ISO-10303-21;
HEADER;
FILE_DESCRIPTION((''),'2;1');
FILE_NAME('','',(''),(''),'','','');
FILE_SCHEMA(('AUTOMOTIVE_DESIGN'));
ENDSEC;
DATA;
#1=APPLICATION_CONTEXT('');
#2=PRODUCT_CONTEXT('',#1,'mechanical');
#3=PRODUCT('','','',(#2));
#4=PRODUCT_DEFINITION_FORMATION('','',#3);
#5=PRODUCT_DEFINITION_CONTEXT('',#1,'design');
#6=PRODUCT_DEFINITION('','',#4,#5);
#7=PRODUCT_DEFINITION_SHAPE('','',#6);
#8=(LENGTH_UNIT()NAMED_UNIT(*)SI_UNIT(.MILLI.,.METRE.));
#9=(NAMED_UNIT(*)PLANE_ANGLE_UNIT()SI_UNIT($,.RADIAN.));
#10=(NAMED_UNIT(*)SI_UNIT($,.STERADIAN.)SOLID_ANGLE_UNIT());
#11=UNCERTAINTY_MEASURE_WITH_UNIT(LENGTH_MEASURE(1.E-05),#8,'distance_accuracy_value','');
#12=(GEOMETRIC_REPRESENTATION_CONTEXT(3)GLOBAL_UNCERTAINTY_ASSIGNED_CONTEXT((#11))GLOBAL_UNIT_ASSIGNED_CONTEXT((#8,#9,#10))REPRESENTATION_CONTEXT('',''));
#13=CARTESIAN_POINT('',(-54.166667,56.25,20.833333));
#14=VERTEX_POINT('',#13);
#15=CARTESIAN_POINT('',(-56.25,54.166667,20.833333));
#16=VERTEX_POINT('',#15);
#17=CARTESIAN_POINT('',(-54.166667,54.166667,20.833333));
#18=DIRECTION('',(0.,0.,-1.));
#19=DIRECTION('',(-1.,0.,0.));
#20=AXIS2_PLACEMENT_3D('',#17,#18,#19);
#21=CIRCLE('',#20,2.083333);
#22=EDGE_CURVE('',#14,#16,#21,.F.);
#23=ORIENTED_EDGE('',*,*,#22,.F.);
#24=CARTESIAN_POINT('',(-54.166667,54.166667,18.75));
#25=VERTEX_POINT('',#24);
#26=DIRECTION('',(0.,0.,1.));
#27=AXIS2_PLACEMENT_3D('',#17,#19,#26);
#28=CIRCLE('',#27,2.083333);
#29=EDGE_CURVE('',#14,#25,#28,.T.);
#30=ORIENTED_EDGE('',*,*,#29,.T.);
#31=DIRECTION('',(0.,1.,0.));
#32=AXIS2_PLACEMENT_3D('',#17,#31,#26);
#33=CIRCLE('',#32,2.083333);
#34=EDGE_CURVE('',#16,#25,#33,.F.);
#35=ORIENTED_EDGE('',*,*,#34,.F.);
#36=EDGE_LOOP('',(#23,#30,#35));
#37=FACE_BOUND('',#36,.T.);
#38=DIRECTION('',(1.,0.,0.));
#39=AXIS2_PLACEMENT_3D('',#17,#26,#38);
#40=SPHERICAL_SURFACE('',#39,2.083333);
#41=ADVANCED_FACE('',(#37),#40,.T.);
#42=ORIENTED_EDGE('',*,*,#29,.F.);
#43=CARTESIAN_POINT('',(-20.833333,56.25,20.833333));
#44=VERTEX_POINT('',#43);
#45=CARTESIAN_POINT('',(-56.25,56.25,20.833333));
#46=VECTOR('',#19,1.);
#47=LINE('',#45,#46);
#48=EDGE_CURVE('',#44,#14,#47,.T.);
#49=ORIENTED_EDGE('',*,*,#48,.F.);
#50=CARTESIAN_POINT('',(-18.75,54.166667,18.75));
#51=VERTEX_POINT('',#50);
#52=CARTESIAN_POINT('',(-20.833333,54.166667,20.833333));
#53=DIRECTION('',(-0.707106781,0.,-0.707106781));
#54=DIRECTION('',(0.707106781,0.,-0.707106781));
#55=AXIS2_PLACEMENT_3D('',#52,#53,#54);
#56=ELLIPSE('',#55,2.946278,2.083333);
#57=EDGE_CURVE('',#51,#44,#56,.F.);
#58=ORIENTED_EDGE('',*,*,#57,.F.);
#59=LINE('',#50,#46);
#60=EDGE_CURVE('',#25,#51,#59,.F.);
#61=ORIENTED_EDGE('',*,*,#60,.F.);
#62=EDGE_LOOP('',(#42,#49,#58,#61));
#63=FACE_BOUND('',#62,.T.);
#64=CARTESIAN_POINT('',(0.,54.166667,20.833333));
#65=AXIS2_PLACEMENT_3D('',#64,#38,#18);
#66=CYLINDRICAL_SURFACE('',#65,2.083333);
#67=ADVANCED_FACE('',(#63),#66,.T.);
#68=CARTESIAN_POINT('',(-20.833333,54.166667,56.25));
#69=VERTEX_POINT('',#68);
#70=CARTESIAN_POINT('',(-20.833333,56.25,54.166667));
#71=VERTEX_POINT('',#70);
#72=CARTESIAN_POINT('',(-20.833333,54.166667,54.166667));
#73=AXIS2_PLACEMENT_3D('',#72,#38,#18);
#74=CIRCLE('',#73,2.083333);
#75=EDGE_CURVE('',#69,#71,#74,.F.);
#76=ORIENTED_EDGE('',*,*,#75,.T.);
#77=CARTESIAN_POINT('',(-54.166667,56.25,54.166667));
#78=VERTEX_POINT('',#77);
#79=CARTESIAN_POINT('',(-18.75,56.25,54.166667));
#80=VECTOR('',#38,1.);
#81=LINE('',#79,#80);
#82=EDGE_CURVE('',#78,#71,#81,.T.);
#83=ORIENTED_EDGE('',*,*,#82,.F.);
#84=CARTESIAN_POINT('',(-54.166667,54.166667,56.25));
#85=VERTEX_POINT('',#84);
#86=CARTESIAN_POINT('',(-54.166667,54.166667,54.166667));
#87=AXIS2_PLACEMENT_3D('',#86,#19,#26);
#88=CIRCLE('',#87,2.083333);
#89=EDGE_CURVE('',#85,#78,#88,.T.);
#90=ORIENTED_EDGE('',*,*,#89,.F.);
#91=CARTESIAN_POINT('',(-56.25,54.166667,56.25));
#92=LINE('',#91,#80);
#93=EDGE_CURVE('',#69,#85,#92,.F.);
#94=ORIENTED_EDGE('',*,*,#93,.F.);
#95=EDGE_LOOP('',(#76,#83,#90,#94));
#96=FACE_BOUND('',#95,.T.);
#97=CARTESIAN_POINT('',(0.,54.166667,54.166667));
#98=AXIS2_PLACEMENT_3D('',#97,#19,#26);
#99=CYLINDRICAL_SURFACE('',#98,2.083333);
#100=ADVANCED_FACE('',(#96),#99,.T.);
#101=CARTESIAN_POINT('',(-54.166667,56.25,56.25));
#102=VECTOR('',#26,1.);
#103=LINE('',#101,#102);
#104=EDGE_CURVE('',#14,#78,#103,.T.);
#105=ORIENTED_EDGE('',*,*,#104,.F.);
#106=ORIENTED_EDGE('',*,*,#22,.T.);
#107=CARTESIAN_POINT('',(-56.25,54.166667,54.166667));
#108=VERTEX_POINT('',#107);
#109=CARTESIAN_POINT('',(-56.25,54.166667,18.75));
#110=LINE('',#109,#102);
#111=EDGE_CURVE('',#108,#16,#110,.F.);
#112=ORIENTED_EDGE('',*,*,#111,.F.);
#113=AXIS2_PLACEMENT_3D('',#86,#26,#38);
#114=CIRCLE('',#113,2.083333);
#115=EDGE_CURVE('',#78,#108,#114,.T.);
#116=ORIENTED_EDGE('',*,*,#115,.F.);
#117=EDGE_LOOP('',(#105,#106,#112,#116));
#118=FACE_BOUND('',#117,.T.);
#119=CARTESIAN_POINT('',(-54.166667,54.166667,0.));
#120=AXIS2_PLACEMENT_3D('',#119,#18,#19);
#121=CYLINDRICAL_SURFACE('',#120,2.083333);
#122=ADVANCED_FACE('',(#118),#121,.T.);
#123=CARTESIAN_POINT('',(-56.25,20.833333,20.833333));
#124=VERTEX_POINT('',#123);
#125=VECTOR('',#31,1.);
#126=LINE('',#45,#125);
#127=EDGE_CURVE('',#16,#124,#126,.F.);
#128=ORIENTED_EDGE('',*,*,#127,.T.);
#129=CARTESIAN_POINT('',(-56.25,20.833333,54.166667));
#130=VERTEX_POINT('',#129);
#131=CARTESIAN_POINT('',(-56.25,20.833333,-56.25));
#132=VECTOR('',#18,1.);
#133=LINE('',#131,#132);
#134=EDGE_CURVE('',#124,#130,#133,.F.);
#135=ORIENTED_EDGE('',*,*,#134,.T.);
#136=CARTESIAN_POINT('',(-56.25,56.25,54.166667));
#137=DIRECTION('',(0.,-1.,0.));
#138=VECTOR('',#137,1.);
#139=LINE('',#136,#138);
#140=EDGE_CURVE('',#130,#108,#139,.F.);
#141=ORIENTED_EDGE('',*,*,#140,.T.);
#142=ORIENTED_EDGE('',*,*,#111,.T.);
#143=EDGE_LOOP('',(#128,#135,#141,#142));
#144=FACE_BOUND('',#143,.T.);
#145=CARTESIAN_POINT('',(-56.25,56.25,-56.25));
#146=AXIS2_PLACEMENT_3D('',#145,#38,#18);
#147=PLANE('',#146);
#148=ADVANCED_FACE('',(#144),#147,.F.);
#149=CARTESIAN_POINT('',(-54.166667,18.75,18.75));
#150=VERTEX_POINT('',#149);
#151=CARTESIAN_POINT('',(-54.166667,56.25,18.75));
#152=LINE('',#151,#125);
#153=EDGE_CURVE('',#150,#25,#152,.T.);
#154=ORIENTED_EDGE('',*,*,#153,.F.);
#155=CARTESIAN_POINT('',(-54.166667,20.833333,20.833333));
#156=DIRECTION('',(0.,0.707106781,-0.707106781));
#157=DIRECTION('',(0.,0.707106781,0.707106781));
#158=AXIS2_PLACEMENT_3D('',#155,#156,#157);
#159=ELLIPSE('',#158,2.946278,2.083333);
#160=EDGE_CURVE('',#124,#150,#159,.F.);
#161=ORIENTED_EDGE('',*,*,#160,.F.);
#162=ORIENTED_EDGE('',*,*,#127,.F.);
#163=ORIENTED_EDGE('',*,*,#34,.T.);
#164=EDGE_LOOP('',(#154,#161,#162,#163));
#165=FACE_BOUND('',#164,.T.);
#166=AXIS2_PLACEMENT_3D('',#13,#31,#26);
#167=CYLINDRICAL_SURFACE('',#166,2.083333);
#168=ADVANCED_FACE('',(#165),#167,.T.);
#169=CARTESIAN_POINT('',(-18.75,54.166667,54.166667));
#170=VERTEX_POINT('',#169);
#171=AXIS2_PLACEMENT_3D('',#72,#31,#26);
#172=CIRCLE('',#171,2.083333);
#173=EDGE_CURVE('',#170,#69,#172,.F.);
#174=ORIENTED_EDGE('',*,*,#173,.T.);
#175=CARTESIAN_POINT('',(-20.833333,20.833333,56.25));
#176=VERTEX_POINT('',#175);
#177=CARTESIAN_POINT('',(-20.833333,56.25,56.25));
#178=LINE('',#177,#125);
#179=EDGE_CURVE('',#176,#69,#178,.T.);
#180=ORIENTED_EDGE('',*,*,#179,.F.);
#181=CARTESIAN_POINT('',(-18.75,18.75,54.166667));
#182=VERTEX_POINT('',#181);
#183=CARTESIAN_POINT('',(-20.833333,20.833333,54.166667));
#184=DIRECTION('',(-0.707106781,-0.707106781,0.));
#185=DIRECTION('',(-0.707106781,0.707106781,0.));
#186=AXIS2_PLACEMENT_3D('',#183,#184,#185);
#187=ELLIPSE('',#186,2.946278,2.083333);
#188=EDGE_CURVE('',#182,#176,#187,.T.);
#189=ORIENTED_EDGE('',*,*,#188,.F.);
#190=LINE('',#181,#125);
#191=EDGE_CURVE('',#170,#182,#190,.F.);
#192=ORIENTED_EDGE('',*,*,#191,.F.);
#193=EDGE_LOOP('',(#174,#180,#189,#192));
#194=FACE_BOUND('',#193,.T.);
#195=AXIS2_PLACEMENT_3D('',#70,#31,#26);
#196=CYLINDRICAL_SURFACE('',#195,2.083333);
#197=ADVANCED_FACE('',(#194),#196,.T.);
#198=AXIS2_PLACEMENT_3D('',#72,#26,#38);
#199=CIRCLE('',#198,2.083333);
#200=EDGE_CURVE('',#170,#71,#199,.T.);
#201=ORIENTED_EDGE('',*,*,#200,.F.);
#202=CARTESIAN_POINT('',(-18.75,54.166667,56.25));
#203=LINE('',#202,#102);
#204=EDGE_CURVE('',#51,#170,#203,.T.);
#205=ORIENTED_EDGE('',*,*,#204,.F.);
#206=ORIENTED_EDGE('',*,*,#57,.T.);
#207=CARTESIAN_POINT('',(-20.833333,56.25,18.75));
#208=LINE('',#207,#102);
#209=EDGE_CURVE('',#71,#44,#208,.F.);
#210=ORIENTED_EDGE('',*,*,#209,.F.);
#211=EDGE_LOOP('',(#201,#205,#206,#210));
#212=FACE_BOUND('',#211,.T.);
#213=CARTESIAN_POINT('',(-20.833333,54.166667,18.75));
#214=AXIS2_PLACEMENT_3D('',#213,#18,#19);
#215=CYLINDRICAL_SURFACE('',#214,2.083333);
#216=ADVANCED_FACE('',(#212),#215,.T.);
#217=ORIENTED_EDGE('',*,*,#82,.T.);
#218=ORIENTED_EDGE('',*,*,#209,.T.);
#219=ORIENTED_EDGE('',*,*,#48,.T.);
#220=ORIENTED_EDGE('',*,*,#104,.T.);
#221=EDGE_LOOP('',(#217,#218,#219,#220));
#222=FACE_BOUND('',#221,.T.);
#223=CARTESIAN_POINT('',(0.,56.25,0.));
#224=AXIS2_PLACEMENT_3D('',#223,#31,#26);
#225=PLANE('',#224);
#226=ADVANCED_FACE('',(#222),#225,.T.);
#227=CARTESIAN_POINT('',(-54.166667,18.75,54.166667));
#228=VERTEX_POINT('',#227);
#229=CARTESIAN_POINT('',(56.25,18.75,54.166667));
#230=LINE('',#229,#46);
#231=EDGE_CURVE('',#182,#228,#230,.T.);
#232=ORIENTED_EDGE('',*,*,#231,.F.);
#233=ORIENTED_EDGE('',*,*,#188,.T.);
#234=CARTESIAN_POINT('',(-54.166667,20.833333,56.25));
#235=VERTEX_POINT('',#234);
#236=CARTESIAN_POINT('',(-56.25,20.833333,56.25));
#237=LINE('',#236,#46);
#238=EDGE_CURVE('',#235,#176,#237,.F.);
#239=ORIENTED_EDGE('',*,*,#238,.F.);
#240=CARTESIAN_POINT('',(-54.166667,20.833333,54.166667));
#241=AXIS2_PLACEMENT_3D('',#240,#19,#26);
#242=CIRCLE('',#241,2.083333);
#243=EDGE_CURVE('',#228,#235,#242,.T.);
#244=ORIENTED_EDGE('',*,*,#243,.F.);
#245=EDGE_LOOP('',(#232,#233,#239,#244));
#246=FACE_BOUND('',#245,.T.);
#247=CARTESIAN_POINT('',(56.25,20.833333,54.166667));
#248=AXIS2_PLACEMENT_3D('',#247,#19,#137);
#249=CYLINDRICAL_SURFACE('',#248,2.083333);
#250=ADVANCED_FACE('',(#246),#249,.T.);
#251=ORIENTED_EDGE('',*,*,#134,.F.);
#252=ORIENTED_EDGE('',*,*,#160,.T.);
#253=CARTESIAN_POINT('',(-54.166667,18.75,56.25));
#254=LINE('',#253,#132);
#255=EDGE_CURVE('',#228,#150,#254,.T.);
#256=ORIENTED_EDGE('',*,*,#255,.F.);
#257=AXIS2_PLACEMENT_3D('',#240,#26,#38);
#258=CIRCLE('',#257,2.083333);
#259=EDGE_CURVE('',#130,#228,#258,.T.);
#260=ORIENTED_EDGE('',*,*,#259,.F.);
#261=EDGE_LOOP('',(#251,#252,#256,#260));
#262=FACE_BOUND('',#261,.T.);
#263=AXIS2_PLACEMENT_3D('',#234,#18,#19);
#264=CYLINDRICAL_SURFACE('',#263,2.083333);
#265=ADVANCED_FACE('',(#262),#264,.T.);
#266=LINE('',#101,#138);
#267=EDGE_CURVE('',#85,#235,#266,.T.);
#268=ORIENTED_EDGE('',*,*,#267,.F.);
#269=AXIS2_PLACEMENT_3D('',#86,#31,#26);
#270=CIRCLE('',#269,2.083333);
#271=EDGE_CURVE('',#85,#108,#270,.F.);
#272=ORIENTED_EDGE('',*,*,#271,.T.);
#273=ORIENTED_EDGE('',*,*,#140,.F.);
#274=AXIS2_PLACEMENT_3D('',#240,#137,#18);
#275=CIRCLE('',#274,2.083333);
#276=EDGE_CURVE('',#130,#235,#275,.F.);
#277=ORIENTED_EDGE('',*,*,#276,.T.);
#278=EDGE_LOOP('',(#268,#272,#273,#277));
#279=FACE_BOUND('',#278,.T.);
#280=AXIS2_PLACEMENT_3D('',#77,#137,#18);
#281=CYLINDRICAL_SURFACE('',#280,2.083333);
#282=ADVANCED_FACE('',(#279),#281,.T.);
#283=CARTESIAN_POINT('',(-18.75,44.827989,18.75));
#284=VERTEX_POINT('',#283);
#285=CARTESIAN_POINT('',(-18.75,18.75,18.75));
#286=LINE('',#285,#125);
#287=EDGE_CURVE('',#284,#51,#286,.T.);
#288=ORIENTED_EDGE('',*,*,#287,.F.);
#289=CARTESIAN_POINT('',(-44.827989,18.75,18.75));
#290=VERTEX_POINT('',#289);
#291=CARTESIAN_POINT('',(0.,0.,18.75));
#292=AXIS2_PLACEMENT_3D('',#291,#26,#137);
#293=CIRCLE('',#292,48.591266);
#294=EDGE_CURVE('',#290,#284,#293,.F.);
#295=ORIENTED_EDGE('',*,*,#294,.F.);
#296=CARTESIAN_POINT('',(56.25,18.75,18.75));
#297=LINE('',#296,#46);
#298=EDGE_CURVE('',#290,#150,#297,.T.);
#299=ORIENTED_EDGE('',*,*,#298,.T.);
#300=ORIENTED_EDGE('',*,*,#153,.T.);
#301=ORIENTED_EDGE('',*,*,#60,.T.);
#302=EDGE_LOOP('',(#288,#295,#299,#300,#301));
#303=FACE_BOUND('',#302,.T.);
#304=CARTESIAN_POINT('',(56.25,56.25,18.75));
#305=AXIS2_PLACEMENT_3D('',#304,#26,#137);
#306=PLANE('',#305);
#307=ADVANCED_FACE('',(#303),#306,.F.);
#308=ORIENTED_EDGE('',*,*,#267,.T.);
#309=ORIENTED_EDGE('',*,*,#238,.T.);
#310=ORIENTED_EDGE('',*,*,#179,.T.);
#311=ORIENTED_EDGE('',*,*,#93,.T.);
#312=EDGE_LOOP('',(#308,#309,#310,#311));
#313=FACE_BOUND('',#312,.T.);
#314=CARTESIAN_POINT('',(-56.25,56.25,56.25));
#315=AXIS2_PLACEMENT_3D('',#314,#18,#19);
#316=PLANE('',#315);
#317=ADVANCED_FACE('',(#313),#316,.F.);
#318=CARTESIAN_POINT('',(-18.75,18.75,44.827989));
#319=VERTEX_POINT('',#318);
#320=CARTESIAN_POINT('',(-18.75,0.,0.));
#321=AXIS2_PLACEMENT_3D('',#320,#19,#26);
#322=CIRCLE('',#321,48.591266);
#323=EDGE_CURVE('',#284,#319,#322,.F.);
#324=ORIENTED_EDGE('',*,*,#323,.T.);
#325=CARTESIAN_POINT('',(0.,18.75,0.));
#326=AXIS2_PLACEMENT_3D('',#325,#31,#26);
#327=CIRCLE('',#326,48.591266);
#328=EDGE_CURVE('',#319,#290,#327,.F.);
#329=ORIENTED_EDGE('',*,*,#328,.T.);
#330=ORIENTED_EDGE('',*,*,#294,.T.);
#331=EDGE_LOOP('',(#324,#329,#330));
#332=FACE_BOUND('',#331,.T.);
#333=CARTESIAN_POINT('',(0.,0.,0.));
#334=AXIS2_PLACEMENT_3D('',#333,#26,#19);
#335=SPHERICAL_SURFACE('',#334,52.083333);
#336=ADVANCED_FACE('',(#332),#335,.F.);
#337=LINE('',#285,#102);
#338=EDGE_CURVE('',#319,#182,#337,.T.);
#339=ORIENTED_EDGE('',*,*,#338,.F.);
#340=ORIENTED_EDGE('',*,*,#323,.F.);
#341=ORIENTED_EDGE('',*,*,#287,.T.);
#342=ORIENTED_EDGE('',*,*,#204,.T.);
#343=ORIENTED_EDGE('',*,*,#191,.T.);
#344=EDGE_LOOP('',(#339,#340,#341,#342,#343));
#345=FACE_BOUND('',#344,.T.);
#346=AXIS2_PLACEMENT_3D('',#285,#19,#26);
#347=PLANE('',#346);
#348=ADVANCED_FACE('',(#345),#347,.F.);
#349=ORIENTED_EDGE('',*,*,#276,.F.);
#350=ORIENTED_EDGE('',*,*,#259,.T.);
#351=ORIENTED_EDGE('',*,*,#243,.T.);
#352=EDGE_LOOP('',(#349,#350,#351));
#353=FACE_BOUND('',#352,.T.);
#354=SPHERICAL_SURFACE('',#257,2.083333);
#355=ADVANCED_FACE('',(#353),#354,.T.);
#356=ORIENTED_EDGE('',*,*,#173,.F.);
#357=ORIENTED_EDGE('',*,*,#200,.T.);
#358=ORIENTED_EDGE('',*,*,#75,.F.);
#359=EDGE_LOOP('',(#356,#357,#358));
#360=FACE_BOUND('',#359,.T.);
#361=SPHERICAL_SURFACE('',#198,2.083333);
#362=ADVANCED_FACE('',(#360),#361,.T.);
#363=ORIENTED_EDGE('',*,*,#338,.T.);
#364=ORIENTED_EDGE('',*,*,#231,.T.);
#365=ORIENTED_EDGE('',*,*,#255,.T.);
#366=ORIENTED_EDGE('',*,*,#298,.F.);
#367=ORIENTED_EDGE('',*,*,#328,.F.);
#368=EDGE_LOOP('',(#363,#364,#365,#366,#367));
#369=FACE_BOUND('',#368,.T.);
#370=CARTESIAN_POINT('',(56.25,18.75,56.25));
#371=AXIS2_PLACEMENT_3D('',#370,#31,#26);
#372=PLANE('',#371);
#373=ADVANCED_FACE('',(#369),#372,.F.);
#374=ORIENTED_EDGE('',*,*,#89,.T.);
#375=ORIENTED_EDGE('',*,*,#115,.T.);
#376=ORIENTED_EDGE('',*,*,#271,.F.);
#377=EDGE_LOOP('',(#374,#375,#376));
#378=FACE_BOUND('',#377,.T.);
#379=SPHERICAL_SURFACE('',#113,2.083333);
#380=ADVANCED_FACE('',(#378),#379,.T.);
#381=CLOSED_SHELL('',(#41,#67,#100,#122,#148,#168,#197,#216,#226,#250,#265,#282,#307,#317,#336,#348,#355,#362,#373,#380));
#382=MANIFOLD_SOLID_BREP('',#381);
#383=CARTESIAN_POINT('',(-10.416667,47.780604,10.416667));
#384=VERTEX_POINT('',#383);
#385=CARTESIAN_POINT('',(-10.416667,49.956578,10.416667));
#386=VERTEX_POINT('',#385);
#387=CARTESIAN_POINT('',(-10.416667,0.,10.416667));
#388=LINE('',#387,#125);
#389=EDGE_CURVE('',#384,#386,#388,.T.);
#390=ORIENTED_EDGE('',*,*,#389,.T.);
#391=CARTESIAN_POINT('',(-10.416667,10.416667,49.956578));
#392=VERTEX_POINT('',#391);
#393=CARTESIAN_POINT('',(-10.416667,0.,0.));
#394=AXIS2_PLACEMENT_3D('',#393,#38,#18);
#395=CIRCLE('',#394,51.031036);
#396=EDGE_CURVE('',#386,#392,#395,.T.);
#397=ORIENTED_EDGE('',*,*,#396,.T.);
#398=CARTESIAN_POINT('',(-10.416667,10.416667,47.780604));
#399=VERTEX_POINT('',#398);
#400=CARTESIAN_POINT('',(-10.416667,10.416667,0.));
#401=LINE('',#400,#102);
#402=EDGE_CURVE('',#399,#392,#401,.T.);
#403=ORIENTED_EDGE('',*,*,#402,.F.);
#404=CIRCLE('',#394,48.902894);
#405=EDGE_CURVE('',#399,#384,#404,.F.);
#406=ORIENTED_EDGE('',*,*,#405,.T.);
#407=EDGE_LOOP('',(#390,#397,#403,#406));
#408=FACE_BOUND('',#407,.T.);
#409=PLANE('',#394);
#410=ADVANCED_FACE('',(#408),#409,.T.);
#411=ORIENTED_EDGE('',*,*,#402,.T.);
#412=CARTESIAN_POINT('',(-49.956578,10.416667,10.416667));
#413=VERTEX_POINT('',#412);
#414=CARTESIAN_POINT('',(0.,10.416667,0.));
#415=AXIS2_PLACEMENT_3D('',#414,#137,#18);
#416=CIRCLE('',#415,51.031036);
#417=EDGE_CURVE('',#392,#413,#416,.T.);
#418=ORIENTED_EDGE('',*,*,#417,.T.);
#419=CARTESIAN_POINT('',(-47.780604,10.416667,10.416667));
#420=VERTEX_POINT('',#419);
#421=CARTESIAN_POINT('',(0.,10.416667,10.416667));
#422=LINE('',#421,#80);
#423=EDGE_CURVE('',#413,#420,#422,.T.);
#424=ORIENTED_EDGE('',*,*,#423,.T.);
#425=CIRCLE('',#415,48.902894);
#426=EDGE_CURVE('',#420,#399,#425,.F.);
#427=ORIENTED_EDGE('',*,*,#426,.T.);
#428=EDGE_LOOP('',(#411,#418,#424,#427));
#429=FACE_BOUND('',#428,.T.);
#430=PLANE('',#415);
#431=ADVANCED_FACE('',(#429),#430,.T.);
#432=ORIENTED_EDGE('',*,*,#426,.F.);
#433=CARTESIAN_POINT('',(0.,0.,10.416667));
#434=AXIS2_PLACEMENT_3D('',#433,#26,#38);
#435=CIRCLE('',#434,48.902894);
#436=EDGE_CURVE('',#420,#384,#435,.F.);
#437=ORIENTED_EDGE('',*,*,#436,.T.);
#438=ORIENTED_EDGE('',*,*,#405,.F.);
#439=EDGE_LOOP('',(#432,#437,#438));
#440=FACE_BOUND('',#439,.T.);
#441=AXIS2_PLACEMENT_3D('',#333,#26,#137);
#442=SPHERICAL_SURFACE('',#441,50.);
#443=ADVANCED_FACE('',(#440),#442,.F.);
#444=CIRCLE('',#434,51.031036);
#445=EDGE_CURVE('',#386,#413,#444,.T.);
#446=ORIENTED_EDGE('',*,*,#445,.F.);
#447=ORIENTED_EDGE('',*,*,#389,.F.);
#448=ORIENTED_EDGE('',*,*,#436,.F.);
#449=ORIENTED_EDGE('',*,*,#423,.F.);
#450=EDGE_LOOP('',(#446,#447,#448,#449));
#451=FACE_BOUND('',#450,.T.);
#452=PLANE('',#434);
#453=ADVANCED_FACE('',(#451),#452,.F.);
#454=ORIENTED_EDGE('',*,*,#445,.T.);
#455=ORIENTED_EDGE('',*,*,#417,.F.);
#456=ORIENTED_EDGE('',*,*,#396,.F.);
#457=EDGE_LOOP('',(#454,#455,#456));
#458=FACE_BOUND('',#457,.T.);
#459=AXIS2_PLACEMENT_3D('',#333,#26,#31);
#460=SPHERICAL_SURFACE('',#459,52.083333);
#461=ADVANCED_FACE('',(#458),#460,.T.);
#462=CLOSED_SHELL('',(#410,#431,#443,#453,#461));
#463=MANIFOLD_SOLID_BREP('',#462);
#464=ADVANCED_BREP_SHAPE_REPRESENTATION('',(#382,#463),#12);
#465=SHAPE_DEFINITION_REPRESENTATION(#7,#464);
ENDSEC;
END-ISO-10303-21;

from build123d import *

# Parameters (mm, degrees)
SKETCH_1_W          = 54
SKETCH_1_H          = 54
EXTRUDE_1_DEPTH     = 27
CUT_EXTRUDE_2_DEPTH = 54
SKETCH_4_W          = 36
SKETCH_4_H          = 18
CUT_EXTRUDE_3_DEPTH = 43.213741838
FILLET_2_R          = 1
REVOLVE_8_ANGLE     = 90
SKETCH_8_W          = 28.0496759
SKETCH_8_H          = 27.957000759
CUT_EXTRUDE_4_DEPTH = 45.068129073
SKETCH_9_W          = 27.76443714
SKETCH_9_H          = 23.535416913
CUT_EXTRUDE_5_DEPTH = 45.068129073
SKETCH_10_W         = 23.194528254
SKETCH_10_H         = 22.885611119
CUT_EXTRUDE_6_DEPTH = 54
SCALE_2_SCALE       = 2.083333333


with BuildPart() as part:
    # 草图1 → 凸台-拉伸1 (new, symmetric)
    with BuildSketch(Plane(origin=(0, 0, 0), x_dir=(1, 0, 0), z_dir=(0, 1, 0))):
        Rectangle(SKETCH_1_W, SKETCH_1_H)
    extrude(amount=EXTRUDE_1_DEPTH, both=True)

    # 草图2 → 切除-拉伸2 (cut)
    with BuildSketch(Plane.ZY.offset(27)):
        Polygon((9, 27), (-27, 27), (-27, -27), (27, -27), (27, 9), (9, 9), align=None)
    extrude(amount=-CUT_EXTRUDE_2_DEPTH, mode=Mode.SUBTRACT)

    # 草图4 → 切除-拉伸3 (cut, through all)
    with BuildSketch(Plane(origin=(0, 27, 0), x_dir=(1, 0, 0), z_dir=(0, 1, 0))):
        with Locations((9, -18)):
            Rectangle(SKETCH_4_W, SKETCH_4_H)
    extrude(amount=-CUT_EXTRUDE_3_DEPTH, mode=Mode.SUBTRACT)

    # 圆角2
    fillet_2_edges = [part.edges().sort_by_distance(p)[0] for p in [
        (-18, 27, 27),
        (-27, 27, 18),
        (-27, 18, 9),
        (-27, 9, 18),
        (-18, 9, 27),
        (-18, 27, 9),
        (-9, 18, 27),
        (-9, 27, 18),
        (-27, 18, 27),
    ]]
    fillet(fillet_2_edges, radius=FILLET_2_R)

    # 草图5 → 切除-旋转6 (revolve, cut)
    with BuildSketch(Plane(origin=(0, 0, 0), x_dir=(1, 0, 0), z_dir=(0, 1, 0))):
        with BuildLine():
            Line((0, -25), (0, 25))
            ThreePointArc((0, 25), (-25, 0), (0, -25))
        make_face()
    revolve(axis=Axis((0, 0, 25), (0, 0, -1)), mode=Mode.SUBTRACT)


with BuildPart() as body_2:
    # 草图6 → 旋转8 (revolve)
    with BuildSketch(Plane(origin=(0, 0, 0), x_dir=(1, 0, 0), z_dir=(0, 1, 0))):
        with BuildLine():
            Line((-24, 0), (-25, 0))
            ThreePointArc((-25, 0), (-17.67766953, -17.67766953), (0, -25))
            Line((0, -25), (0, -24))
            ThreePointArc((0, -24), (-16.970562748, -16.970562748), (-24, 0))
        make_face()
    revolve(axis=Axis((0, 0, 25), (0, 0, -1)), revolution_arc=REVOLVE_8_ANGLE)

    # 草图8 → 切除-拉伸4 (cut, through all)
    with BuildSketch(Plane.XY.offset(5)):
        with Locations((-13.438216573, 13.330095576)):
            Rectangle(SKETCH_8_W, SKETCH_8_H)
    extrude(amount=-CUT_EXTRUDE_4_DEPTH, mode=Mode.SUBTRACT)

    # 草图9 → 切除-拉伸5 (cut, through all)
    with BuildSketch(Plane(origin=(0, 5, 0), x_dir=(1, 0, 0), z_dir=(0, 1, 0))):
        with Locations((-13.547684968, -15.66850606)):
            Rectangle(SKETCH_9_W, SKETCH_9_H)
    extrude(amount=-CUT_EXTRUDE_5_DEPTH, mode=Mode.SUBTRACT)

    # 草图10 → 切除-拉伸6 (cut)
    with BuildSketch(Plane(origin=(-5, 0, 0), x_dir=(0, 0, -1), z_dir=(1, 0, 0))):
        with Locations((-15.526919039, 15.634156075)):
            Rectangle(SKETCH_10_W, SKETCH_10_H)
    extrude(amount=CUT_EXTRUDE_6_DEPTH, mode=Mode.SUBTRACT)


with BuildPart() as part_1:
    # 缩放比例2: scaled about (0, 0, 0)
    add(part.part.scale(SCALE_2_SCALE))


with BuildPart() as body_2_1:
    # 缩放比例2: scaled about (0, 0, 0)
    add(body_2.part.scale(SCALE_2_SCALE))


solid = Compound([part_1.part, body_2_1.part])
